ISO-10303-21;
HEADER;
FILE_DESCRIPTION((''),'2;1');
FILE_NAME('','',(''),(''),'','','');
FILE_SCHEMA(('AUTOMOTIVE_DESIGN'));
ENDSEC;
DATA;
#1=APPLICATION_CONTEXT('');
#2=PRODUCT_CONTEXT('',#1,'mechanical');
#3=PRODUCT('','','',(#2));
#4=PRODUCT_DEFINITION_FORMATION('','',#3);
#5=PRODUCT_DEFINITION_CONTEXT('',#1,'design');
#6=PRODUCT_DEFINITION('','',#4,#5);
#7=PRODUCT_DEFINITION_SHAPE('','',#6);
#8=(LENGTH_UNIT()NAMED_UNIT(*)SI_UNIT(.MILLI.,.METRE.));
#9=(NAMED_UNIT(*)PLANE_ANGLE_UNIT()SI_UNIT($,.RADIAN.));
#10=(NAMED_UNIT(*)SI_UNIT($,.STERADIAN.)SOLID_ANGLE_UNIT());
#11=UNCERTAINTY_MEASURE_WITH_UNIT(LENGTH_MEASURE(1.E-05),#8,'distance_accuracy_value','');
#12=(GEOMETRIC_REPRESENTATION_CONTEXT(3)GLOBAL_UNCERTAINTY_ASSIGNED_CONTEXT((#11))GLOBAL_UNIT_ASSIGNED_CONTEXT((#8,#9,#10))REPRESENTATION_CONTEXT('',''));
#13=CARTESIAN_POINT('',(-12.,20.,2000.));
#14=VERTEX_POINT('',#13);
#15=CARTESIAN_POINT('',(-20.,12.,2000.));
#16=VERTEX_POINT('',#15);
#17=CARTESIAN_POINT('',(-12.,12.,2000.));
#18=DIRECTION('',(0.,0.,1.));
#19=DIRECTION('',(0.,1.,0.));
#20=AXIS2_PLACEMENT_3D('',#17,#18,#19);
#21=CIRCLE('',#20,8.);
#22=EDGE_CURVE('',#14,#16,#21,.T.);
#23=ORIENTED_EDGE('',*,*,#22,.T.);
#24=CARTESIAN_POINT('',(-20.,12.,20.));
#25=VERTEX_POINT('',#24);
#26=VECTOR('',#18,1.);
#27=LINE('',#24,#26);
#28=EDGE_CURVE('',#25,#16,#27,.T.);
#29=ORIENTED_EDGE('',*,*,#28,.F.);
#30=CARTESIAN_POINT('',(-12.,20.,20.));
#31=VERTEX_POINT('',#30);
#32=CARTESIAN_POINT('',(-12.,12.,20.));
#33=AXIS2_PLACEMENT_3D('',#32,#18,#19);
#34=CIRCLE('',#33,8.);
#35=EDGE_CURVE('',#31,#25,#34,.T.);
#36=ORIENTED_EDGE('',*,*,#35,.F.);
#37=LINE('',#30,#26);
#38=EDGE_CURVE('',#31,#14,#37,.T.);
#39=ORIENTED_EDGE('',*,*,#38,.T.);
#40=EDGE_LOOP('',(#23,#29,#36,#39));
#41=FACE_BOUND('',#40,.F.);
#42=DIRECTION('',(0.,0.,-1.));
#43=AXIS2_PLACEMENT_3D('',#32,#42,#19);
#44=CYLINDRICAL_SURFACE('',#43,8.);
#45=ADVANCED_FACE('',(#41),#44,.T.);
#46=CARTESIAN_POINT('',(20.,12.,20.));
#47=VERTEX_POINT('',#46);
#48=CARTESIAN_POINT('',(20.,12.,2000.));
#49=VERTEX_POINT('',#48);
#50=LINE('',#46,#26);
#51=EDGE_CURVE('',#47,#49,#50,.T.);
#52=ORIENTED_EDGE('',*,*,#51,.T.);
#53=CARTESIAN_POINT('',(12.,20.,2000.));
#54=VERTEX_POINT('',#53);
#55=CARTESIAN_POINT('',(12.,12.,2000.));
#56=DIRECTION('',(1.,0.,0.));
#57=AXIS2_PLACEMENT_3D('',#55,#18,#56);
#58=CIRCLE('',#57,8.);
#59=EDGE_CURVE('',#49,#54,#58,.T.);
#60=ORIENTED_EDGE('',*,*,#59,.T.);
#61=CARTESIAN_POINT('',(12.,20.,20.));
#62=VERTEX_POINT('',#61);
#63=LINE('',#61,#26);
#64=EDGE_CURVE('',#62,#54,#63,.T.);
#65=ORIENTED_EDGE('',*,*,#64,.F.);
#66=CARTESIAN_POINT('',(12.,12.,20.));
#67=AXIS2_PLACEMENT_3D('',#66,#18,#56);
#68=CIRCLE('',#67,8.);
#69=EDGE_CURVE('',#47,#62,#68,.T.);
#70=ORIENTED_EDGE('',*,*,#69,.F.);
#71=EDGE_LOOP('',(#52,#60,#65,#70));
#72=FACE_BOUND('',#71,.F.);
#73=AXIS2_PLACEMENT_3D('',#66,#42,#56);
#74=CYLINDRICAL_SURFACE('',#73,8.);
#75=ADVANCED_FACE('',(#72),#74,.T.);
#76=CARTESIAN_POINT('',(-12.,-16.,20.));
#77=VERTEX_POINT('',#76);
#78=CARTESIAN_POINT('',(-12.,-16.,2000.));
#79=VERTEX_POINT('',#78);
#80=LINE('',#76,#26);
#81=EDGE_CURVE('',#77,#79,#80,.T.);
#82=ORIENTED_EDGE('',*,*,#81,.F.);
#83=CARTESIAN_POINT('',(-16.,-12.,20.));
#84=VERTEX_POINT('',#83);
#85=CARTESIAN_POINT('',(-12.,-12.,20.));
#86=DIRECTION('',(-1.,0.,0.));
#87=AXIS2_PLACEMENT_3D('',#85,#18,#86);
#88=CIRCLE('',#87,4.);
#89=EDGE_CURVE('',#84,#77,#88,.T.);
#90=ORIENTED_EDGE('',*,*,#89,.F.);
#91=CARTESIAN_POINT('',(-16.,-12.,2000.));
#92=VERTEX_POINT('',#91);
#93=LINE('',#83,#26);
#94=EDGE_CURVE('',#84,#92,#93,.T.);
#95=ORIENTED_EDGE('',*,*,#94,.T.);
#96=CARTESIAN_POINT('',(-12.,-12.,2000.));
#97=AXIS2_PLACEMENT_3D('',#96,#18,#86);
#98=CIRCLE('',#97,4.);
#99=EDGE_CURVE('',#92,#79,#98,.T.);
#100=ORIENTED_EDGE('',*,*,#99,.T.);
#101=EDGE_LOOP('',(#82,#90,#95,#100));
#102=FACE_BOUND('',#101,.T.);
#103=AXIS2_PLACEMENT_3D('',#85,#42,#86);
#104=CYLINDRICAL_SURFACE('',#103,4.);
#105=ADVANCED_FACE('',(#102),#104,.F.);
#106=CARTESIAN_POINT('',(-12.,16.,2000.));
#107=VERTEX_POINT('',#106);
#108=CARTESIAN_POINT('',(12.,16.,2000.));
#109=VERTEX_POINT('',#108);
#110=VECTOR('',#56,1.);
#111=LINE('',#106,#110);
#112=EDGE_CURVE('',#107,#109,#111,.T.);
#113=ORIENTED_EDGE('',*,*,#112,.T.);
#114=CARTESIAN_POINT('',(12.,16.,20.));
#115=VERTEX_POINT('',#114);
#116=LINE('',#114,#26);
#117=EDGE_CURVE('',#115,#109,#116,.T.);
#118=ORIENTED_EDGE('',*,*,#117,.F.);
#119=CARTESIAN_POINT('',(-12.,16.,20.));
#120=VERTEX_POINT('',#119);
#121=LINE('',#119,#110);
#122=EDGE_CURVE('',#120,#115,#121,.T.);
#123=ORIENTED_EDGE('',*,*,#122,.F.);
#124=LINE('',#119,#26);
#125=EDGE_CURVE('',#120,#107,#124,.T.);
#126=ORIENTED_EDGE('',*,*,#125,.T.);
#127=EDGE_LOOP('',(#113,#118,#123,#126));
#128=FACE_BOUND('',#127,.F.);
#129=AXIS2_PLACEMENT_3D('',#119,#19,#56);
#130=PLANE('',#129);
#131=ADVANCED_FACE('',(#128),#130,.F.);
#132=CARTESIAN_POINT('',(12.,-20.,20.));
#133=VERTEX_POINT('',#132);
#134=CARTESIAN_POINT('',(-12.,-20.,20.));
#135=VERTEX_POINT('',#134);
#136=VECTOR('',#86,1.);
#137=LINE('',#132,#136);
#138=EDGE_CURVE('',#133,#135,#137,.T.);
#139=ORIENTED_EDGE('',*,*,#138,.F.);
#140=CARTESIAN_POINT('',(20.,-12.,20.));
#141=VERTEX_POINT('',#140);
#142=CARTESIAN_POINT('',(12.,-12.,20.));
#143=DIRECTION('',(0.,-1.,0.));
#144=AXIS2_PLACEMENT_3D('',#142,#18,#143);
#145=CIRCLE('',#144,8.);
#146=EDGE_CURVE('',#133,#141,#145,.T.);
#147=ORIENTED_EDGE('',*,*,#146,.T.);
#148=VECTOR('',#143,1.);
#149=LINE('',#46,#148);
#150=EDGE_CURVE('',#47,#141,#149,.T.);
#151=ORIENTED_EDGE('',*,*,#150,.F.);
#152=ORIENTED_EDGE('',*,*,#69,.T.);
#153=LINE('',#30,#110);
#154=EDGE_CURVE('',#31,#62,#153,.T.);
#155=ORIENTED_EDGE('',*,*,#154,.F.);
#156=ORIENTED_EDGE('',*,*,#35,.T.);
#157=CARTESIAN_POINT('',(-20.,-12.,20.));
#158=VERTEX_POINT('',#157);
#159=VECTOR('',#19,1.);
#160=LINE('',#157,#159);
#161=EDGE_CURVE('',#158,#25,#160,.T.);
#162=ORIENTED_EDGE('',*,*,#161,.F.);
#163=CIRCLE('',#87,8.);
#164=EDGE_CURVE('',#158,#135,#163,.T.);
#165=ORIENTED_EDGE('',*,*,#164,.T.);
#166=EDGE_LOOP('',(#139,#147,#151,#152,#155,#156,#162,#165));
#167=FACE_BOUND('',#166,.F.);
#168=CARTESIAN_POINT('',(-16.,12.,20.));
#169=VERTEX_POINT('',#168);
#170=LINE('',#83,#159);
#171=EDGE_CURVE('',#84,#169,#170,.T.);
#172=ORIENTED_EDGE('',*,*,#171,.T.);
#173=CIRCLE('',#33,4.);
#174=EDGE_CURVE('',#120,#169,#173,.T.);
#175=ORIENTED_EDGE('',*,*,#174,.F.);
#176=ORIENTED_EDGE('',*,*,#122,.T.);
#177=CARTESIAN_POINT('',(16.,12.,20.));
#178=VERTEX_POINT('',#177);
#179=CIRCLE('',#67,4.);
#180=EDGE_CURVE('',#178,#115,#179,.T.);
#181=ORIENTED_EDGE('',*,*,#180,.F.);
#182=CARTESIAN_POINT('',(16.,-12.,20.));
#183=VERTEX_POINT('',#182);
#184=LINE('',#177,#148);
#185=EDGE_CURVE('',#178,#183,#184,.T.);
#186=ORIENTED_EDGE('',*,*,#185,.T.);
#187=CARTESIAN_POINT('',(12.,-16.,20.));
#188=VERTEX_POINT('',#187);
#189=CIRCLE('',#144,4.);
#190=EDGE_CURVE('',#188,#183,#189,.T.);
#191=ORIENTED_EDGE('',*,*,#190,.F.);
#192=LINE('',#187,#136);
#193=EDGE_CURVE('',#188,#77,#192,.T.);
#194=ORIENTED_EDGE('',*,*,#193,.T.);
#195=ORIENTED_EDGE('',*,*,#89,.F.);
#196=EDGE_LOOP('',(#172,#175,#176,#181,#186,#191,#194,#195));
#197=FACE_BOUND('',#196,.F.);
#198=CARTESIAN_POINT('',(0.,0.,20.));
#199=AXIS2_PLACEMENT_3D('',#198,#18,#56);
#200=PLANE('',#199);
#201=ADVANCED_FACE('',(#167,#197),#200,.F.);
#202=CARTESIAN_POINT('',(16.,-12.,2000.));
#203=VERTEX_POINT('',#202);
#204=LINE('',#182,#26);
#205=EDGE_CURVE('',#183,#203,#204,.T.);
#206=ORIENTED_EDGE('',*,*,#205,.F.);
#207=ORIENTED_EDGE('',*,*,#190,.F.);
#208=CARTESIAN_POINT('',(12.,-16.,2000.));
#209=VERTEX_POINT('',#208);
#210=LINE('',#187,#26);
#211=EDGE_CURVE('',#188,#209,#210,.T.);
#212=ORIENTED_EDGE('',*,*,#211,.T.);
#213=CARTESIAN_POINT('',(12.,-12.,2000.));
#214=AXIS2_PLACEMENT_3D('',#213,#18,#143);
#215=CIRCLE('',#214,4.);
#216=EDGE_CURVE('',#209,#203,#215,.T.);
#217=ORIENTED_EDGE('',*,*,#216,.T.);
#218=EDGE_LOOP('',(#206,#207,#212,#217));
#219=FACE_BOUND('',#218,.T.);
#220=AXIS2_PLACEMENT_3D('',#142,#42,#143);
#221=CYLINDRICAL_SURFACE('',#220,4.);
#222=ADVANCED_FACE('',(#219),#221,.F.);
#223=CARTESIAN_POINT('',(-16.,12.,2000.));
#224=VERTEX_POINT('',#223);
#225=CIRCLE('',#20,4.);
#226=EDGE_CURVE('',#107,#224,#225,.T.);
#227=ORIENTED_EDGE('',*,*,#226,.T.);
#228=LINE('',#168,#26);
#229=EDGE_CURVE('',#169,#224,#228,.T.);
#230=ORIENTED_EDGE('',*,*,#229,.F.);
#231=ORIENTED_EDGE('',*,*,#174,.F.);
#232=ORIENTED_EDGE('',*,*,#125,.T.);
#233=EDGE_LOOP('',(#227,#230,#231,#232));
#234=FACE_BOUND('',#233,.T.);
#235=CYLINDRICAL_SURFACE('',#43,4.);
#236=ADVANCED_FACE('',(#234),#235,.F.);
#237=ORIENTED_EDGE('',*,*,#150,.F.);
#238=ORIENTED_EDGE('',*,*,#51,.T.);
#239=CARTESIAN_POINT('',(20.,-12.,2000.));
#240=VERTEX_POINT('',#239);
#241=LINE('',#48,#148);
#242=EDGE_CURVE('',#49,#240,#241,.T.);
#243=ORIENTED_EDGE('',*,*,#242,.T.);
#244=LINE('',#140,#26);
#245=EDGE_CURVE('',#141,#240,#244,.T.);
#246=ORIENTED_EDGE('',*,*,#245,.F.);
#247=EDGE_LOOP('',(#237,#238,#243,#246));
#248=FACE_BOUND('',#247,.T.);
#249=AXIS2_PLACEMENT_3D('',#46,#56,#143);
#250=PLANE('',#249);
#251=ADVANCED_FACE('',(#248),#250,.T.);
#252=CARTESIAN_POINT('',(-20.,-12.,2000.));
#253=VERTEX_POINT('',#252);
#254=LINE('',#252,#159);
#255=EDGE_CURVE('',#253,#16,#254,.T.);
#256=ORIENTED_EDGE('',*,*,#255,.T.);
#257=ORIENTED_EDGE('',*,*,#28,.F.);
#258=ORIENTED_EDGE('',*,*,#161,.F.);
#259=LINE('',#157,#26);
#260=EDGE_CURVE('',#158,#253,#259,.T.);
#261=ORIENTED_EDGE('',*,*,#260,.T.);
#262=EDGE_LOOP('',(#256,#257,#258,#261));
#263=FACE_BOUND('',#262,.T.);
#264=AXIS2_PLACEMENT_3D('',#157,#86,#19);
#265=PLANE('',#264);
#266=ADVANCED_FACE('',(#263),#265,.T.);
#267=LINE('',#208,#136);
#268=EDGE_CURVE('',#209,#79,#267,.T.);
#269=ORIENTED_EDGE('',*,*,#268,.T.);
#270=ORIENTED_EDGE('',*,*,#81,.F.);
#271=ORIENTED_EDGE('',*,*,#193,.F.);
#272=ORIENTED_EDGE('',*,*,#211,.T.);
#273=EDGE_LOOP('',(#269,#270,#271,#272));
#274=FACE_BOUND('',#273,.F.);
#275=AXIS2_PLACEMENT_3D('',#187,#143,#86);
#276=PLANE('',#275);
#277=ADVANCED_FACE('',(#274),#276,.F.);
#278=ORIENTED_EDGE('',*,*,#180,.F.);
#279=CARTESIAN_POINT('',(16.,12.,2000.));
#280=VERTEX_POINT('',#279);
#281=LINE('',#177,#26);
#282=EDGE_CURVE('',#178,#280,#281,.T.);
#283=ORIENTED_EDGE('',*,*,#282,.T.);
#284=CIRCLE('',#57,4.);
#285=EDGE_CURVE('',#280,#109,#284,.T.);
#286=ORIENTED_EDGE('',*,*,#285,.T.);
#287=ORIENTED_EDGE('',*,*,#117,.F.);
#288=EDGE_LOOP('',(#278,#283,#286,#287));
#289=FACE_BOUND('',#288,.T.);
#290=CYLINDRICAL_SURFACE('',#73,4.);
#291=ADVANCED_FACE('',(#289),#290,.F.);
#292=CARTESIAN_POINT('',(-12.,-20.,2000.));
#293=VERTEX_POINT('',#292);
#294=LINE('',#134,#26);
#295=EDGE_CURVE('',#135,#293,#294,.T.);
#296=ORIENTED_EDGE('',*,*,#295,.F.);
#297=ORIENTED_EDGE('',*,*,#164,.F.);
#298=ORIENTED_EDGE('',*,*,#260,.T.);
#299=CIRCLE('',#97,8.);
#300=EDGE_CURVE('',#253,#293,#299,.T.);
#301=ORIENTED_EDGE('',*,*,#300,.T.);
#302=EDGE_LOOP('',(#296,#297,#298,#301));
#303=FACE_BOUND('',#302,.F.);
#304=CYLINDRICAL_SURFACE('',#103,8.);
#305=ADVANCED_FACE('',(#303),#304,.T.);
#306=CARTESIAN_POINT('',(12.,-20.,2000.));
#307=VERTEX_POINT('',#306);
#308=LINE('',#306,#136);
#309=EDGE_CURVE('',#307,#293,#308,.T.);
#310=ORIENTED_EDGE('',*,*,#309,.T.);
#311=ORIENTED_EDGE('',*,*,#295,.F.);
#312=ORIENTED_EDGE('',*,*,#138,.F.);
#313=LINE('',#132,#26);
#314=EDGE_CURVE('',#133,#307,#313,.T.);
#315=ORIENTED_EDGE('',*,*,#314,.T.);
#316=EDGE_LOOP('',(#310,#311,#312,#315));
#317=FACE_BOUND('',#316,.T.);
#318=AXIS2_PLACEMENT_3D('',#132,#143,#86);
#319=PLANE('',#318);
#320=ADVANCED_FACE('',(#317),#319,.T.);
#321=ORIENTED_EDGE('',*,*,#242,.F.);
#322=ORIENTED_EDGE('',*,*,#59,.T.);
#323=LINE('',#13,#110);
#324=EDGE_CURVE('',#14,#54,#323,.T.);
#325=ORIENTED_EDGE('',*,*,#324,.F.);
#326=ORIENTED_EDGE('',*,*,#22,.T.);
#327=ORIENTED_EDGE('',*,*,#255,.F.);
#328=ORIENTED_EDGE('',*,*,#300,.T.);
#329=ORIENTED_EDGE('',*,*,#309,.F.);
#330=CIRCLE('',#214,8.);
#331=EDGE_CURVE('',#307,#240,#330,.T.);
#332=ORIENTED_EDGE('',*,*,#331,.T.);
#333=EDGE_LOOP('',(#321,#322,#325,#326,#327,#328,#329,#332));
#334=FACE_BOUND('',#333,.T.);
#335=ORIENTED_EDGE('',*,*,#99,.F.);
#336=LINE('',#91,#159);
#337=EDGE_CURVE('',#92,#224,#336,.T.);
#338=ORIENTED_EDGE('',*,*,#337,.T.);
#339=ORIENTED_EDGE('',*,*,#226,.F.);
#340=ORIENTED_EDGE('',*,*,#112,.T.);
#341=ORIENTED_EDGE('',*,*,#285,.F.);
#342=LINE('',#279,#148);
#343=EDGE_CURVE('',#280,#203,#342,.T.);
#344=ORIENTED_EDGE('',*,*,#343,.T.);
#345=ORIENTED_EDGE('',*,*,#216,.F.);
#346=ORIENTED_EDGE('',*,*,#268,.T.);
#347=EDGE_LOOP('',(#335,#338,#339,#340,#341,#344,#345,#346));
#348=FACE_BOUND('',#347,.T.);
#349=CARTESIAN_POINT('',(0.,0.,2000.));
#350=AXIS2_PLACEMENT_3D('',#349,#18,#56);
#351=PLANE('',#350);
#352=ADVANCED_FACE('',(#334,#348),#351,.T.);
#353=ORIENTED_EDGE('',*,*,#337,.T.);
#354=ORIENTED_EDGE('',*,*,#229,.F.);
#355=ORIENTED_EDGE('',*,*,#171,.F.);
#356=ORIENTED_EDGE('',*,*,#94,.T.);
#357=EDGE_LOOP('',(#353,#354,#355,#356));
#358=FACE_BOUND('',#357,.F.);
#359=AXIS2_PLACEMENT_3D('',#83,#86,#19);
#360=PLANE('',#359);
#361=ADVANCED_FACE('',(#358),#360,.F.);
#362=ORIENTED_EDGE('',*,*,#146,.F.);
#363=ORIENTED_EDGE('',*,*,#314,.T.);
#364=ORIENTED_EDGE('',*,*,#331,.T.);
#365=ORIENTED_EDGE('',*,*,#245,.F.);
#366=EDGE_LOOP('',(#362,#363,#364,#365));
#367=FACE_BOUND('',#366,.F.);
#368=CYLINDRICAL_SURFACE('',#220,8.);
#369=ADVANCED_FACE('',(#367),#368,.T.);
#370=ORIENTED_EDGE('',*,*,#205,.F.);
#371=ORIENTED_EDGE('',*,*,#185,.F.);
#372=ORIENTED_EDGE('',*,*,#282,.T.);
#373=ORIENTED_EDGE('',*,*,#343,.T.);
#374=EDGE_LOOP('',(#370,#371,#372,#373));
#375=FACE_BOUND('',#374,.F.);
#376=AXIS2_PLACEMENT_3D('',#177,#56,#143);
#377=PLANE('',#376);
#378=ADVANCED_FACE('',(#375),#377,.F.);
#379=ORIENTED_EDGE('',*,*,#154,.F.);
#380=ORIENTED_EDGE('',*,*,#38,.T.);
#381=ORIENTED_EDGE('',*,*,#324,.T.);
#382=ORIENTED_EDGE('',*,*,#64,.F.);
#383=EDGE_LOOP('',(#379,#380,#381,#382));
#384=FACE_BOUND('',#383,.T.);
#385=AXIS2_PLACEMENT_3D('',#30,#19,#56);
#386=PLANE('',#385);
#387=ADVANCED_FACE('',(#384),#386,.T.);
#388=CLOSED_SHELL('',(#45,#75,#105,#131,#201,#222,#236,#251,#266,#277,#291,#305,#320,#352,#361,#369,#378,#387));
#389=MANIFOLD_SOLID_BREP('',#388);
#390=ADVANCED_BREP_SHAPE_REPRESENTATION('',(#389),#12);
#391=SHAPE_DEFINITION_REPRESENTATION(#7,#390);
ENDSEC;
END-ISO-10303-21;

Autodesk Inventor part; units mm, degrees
ref_plane "Start Plane" through (0, 0, 20) normal (0, 0, 1) x (1, 0, 0)
ref_plane "End Plane" through (0, 0, 2000) normal (0, 0, 1) x (1, 0, 0)
sketch "Sketch" plane through (0, 0, 0) normal (0, 0, 1) x (1, 0, 0)
  line L0 (-20, -12) -> (-20, 12)
  line L1 (-12, 20) -> (12, 20)
  line L2 (20, 12) -> (20, -12)
  line L3 (12, -20) -> (-12, -20)
  arc A0 (-20, -12) -> (-12, -20) centre (-12, -12) ccw
  arc A1 (20, 12) -> (12, 20) centre (12, 12) ccw
  arc A2 (-12, 20) -> (-20, 12) centre (-12, 12) ccw
  arc A3 (12, -20) -> (20, -12) centre (12, -12) ccw
  arc A4 (-12, 16) -> (-16, 12) centre (-12, 12) ccw
  line L4 (-12, 16) -> (12, 16)
  arc A5 (16, 12) -> (12, 16) centre (12, 12) ccw
  line L5 (16, 12) -> (16, -12)
  arc A6 (12, -16) -> (16, -12) centre (12, -12) ccw
  line L6 (12, -16) -> (-12, -16)
  arc A7 (-16, -12) -> (-12, -16) centre (-12, -12) ccw
  line L7 (-16, -12) -> (-16, 12)
  line L8 (0, 30.3196) -> (0, -30.3196) construction
  line L9 (-30.3196, 0) -> (30.3196, 0) construction
  dimension "d7" = 8
  dimension "d9" = 40
  dimension "d11" = 40
  dimension "d12" = 4
  dimension "d15" = 20
  dimension "d16" = 20
extrude "Body" add sketch "Sketch" along normal up to surface (1980 mm away) from surface at 20
sketch "Sketch3" plane through (0, 0, 0) normal (0, 0, 1) x (1, 0, 0)
  line L0 (0, 0) -> (10, 0)
ref_plane "Work Plane3" through (0, 0, 0) normal (0, -1, 0) x (1, 0, 0)
ref_plane "Work Plane4" through (14, -2610, 20) normal (0, 0, -1) x (-1, 0, 0)
split "Split1" plane through (14, -2610, 20) removes the side toward (0, 0, -1)
sketch "Sketch4" plane through (0, 0, 0) normal (0, -1, 0) x (1, 0, 0)
  line L0 (-2, 20) -> (12, 20) projected
  line L1 (-2, 2000) -> (12, 2000) projected
  dimension "d18" = 1980
equation "\"d7\" = G_IR"
equation "\"d9\" = G_W"
equation "\"d11\" = G_H"
equation "\"d12\" = G_T"
equation "\"d15\" = 0.5 * d9"
equation "\"d16\" = 0.5 * d11"
equation "\"d3\" = G_L"
equation "\"G_W\" = 40"
equation "\"G_H\" = 40"
equation "\"G_T\" = 4"
equation "\"G_IR\" = 8"
equation "\"G_L\" = d18"
equation "\"G_OFFSET_END\" = 0"
properties part number "ISO 10799-2 - 40x40x4 - 1980" material "Steel, Mild"
